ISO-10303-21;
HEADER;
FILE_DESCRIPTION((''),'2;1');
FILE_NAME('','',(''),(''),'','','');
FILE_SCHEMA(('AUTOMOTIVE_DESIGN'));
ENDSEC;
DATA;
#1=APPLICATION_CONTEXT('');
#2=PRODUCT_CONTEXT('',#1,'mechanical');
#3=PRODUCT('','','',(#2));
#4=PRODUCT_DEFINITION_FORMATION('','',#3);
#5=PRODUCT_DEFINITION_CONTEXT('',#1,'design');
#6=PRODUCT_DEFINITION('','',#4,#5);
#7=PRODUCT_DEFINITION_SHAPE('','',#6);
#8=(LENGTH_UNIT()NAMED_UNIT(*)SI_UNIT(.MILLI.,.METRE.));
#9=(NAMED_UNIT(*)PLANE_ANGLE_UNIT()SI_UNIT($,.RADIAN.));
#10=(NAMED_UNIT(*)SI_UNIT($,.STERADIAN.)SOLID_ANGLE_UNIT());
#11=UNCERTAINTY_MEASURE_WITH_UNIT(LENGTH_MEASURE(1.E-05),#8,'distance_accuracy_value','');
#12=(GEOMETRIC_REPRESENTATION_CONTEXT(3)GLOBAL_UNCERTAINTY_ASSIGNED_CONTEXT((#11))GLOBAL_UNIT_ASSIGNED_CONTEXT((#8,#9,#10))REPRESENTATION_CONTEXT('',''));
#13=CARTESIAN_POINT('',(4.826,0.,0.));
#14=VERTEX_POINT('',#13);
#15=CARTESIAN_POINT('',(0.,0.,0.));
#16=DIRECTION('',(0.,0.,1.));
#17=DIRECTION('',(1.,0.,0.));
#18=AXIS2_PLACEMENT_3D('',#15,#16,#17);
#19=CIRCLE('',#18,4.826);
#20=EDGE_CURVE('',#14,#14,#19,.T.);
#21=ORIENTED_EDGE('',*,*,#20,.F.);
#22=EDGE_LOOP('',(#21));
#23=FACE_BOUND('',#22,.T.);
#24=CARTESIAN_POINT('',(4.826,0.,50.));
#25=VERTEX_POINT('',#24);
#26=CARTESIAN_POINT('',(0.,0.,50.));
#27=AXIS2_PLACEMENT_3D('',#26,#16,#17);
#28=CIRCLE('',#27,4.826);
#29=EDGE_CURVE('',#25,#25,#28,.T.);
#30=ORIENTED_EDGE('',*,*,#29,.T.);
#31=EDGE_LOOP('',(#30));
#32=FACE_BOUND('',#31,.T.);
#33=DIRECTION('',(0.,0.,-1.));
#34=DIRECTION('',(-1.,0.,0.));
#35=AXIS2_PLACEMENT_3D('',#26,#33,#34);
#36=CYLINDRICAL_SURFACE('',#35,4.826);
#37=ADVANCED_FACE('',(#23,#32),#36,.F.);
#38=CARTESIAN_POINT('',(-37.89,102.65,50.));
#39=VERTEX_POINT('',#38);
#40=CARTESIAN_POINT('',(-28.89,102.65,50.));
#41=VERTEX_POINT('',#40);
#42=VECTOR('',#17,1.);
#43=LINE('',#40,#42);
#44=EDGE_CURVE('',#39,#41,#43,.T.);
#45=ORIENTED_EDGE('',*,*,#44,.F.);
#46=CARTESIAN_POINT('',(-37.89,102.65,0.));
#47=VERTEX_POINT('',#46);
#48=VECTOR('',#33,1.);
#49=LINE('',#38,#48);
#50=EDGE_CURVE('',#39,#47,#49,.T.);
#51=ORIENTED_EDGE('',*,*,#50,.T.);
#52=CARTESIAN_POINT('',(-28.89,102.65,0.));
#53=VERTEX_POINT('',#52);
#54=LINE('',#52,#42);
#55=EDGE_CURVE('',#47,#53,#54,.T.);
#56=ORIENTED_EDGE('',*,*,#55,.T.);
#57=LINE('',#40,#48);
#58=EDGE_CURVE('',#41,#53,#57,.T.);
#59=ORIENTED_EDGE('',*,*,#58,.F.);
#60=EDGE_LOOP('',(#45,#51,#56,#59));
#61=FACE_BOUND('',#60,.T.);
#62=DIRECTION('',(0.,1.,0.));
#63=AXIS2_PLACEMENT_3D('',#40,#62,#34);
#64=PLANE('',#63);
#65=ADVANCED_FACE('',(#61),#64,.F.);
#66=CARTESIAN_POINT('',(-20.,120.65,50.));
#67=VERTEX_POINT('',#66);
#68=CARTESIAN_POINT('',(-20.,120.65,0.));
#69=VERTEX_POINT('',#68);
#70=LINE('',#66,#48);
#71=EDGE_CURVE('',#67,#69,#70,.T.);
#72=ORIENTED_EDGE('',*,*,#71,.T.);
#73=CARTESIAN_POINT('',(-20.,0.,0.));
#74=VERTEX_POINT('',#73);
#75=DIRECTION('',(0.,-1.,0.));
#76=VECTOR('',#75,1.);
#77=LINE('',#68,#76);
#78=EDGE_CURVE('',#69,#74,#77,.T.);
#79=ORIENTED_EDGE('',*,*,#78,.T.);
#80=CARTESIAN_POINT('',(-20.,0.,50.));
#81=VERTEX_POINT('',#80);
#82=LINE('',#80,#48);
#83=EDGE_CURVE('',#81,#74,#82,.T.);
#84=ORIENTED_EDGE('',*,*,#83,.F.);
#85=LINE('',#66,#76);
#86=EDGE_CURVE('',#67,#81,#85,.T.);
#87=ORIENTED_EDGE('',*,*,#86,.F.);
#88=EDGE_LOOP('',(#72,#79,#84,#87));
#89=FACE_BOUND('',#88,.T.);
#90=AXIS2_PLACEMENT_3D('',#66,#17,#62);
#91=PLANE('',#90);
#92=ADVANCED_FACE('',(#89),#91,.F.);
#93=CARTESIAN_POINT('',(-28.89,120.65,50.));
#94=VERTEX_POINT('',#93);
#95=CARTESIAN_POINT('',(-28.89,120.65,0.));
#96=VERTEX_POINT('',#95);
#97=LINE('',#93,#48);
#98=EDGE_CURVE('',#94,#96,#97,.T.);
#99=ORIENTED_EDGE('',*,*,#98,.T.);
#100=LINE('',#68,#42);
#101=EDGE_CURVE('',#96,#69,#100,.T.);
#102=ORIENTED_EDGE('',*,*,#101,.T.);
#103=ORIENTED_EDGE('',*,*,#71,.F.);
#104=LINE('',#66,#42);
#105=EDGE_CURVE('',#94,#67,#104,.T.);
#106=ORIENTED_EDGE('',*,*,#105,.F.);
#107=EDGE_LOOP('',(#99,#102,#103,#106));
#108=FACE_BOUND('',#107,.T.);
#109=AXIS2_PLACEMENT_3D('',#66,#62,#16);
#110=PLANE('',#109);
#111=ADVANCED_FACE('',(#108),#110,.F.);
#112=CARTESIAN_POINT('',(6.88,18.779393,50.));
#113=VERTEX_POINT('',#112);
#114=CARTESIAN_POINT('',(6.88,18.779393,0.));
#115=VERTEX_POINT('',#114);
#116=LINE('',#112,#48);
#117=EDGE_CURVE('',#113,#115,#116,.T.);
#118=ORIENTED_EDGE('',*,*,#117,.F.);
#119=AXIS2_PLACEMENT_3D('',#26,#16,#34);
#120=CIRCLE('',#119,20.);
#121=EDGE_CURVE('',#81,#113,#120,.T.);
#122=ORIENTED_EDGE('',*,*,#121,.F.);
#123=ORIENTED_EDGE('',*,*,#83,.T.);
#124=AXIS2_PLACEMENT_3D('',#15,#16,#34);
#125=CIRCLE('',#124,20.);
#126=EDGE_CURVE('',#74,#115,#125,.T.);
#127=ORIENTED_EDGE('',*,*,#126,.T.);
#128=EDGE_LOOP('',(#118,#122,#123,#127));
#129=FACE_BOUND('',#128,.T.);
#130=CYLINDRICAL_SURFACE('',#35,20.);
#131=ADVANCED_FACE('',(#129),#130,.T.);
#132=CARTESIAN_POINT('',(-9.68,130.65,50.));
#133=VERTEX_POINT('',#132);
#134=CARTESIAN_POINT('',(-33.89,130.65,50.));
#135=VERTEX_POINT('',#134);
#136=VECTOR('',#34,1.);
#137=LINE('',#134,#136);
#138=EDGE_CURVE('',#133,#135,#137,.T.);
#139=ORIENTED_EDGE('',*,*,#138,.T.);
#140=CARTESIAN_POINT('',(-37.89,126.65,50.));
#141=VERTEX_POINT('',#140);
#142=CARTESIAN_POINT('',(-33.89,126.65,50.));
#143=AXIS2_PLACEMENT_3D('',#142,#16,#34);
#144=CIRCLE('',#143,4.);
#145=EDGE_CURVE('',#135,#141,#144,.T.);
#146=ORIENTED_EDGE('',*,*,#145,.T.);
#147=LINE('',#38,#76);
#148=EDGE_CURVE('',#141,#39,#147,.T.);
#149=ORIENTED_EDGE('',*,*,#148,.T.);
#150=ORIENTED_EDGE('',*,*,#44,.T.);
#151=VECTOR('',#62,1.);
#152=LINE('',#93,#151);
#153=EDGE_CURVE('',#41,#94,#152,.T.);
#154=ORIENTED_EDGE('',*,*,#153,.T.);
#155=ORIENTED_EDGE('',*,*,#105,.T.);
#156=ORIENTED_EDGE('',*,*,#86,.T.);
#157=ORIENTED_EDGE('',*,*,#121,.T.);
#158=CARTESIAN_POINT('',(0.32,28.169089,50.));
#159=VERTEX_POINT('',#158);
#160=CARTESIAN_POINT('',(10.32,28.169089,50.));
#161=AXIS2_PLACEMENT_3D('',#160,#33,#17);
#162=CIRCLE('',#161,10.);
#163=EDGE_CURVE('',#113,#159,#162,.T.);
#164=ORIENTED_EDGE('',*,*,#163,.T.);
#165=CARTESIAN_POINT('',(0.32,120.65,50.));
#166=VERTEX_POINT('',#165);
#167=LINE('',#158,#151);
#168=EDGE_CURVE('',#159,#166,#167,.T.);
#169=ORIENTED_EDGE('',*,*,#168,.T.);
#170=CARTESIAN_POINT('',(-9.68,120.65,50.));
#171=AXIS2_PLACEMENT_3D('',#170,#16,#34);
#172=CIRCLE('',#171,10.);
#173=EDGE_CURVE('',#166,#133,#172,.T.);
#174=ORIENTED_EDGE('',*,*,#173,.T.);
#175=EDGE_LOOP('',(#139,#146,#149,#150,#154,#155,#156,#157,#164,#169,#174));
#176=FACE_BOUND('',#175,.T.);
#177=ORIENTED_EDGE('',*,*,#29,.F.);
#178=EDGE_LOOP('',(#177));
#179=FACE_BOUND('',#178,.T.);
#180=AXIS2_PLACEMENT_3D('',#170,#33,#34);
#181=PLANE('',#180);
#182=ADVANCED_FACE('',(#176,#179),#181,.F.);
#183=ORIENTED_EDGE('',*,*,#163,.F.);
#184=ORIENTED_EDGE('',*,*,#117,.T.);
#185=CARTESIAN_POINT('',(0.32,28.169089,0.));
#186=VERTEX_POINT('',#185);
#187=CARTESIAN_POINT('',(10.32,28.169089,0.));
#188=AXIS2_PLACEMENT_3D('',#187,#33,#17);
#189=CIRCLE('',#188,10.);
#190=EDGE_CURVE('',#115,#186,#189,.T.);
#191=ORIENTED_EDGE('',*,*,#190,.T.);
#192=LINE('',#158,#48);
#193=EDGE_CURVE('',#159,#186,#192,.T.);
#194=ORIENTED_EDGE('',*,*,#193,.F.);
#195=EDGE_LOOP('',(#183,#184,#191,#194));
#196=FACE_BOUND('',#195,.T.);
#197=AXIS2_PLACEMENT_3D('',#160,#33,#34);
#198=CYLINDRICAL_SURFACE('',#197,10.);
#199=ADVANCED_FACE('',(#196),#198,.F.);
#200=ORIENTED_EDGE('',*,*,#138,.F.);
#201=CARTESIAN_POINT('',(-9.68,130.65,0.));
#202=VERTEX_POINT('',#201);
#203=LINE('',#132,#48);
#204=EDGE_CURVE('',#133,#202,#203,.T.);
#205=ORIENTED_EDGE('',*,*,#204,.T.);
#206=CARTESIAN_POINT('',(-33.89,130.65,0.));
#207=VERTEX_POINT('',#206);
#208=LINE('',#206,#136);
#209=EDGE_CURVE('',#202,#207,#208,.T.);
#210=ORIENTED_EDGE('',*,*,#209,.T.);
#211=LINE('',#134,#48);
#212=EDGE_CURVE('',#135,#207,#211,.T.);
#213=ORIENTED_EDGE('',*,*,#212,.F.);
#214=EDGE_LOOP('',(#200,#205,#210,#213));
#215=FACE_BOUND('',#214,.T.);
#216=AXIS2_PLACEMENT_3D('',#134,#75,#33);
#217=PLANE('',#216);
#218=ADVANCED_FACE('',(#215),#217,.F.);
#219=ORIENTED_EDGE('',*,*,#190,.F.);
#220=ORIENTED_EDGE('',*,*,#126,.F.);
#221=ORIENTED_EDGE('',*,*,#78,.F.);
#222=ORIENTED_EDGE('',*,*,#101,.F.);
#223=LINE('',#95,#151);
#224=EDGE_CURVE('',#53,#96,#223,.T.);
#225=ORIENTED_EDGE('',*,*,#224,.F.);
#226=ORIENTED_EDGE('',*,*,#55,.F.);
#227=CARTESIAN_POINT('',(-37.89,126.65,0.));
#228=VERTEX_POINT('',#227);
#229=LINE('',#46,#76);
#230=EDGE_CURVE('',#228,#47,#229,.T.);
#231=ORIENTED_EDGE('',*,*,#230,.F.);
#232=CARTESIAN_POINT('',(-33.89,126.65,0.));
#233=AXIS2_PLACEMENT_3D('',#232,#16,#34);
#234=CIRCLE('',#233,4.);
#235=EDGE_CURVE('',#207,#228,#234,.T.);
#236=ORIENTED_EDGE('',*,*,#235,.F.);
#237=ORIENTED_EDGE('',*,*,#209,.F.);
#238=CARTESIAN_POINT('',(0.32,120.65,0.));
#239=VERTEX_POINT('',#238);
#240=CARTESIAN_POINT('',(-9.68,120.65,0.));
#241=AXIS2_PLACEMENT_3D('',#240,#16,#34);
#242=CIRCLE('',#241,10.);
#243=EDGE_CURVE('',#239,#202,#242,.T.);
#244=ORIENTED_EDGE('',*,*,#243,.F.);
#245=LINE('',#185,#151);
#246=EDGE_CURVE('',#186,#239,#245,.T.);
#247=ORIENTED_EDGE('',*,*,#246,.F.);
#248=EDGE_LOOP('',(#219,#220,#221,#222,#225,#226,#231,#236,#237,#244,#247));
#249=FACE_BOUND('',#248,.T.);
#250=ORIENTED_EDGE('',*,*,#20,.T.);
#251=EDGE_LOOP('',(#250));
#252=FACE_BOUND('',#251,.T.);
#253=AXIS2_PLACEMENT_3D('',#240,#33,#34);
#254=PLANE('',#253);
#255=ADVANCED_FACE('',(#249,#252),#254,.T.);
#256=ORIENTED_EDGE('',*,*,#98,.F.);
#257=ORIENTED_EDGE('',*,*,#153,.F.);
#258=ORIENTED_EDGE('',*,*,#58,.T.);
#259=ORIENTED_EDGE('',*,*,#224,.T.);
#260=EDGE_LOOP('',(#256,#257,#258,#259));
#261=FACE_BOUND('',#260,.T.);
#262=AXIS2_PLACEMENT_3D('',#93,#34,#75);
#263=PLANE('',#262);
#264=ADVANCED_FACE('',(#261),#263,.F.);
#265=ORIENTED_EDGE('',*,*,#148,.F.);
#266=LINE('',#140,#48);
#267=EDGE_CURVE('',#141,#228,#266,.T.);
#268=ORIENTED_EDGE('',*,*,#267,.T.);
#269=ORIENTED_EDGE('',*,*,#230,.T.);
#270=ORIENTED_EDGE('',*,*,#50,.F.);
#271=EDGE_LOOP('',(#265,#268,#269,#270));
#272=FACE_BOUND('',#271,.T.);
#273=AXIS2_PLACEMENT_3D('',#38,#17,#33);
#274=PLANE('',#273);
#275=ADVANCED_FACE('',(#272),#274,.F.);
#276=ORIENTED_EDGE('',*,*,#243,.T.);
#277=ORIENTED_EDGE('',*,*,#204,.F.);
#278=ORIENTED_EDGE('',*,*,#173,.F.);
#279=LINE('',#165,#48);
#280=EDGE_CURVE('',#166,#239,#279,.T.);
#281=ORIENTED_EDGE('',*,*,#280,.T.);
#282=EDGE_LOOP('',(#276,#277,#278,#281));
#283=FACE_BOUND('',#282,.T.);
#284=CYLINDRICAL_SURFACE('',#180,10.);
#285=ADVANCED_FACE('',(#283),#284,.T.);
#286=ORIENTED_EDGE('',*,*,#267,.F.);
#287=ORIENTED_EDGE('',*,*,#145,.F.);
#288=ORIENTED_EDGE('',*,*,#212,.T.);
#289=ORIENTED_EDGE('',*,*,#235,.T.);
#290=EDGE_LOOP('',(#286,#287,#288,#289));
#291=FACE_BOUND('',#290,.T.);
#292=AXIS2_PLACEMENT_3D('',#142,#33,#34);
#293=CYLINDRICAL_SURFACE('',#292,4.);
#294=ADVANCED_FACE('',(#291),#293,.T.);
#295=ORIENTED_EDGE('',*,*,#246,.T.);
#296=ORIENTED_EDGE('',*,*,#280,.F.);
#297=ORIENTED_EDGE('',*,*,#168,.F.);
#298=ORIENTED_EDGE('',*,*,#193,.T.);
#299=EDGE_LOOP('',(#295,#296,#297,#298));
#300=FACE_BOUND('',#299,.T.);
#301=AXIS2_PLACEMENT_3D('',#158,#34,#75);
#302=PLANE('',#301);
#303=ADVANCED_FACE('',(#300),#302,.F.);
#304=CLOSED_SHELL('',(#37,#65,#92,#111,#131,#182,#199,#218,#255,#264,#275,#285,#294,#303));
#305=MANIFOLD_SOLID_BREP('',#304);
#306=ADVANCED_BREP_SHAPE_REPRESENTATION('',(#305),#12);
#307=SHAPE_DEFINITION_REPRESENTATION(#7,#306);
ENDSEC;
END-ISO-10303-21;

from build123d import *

# Parameters (mm, degrees)
SKETCH1_R           = 4.826
BOSS_EXTRUDE1_DEPTH = 50


with BuildPart() as part:
    # Sketch1 → Boss-Extrude1 (new body)
    with BuildSketch(Plane.XY):
        with BuildLine():
            Line((-20, 120.65), (-28.89, 120.65))
            Line((-28.89, 120.65), (-28.89, 102.65))
            Line((-28.89, 102.65), (-37.89, 102.65))
            Line((-37.89, 102.65), (-37.89, 126.65))
            ThreePointArc((-37.89, 126.65), (-36.718427125, 129.478427125), (-33.89, 130.65))
            Line((-33.89, 130.65), (-9.68, 130.65))
            ThreePointArc((-9.68, 130.65), (-2.608932188, 127.721067812), (0.32, 120.65))
            Line((0.32, 120.65), (0.32, 28.169089442))
            ThreePointArc((0.32, 28.169089442), (2.122439387, 22.441961017), (6.88, 18.779392961))
            ThreePointArc((6.88, 18.779392961), (11.454256851, -16.395121226), (-20, 0))
            Line((-20, 0), (-20, 120.65))
        make_face()
        Circle(SKETCH1_R, mode=Mode.SUBTRACT)
    extrude(amount=BOSS_EXTRUDE1_DEPTH)


solid = part.part
